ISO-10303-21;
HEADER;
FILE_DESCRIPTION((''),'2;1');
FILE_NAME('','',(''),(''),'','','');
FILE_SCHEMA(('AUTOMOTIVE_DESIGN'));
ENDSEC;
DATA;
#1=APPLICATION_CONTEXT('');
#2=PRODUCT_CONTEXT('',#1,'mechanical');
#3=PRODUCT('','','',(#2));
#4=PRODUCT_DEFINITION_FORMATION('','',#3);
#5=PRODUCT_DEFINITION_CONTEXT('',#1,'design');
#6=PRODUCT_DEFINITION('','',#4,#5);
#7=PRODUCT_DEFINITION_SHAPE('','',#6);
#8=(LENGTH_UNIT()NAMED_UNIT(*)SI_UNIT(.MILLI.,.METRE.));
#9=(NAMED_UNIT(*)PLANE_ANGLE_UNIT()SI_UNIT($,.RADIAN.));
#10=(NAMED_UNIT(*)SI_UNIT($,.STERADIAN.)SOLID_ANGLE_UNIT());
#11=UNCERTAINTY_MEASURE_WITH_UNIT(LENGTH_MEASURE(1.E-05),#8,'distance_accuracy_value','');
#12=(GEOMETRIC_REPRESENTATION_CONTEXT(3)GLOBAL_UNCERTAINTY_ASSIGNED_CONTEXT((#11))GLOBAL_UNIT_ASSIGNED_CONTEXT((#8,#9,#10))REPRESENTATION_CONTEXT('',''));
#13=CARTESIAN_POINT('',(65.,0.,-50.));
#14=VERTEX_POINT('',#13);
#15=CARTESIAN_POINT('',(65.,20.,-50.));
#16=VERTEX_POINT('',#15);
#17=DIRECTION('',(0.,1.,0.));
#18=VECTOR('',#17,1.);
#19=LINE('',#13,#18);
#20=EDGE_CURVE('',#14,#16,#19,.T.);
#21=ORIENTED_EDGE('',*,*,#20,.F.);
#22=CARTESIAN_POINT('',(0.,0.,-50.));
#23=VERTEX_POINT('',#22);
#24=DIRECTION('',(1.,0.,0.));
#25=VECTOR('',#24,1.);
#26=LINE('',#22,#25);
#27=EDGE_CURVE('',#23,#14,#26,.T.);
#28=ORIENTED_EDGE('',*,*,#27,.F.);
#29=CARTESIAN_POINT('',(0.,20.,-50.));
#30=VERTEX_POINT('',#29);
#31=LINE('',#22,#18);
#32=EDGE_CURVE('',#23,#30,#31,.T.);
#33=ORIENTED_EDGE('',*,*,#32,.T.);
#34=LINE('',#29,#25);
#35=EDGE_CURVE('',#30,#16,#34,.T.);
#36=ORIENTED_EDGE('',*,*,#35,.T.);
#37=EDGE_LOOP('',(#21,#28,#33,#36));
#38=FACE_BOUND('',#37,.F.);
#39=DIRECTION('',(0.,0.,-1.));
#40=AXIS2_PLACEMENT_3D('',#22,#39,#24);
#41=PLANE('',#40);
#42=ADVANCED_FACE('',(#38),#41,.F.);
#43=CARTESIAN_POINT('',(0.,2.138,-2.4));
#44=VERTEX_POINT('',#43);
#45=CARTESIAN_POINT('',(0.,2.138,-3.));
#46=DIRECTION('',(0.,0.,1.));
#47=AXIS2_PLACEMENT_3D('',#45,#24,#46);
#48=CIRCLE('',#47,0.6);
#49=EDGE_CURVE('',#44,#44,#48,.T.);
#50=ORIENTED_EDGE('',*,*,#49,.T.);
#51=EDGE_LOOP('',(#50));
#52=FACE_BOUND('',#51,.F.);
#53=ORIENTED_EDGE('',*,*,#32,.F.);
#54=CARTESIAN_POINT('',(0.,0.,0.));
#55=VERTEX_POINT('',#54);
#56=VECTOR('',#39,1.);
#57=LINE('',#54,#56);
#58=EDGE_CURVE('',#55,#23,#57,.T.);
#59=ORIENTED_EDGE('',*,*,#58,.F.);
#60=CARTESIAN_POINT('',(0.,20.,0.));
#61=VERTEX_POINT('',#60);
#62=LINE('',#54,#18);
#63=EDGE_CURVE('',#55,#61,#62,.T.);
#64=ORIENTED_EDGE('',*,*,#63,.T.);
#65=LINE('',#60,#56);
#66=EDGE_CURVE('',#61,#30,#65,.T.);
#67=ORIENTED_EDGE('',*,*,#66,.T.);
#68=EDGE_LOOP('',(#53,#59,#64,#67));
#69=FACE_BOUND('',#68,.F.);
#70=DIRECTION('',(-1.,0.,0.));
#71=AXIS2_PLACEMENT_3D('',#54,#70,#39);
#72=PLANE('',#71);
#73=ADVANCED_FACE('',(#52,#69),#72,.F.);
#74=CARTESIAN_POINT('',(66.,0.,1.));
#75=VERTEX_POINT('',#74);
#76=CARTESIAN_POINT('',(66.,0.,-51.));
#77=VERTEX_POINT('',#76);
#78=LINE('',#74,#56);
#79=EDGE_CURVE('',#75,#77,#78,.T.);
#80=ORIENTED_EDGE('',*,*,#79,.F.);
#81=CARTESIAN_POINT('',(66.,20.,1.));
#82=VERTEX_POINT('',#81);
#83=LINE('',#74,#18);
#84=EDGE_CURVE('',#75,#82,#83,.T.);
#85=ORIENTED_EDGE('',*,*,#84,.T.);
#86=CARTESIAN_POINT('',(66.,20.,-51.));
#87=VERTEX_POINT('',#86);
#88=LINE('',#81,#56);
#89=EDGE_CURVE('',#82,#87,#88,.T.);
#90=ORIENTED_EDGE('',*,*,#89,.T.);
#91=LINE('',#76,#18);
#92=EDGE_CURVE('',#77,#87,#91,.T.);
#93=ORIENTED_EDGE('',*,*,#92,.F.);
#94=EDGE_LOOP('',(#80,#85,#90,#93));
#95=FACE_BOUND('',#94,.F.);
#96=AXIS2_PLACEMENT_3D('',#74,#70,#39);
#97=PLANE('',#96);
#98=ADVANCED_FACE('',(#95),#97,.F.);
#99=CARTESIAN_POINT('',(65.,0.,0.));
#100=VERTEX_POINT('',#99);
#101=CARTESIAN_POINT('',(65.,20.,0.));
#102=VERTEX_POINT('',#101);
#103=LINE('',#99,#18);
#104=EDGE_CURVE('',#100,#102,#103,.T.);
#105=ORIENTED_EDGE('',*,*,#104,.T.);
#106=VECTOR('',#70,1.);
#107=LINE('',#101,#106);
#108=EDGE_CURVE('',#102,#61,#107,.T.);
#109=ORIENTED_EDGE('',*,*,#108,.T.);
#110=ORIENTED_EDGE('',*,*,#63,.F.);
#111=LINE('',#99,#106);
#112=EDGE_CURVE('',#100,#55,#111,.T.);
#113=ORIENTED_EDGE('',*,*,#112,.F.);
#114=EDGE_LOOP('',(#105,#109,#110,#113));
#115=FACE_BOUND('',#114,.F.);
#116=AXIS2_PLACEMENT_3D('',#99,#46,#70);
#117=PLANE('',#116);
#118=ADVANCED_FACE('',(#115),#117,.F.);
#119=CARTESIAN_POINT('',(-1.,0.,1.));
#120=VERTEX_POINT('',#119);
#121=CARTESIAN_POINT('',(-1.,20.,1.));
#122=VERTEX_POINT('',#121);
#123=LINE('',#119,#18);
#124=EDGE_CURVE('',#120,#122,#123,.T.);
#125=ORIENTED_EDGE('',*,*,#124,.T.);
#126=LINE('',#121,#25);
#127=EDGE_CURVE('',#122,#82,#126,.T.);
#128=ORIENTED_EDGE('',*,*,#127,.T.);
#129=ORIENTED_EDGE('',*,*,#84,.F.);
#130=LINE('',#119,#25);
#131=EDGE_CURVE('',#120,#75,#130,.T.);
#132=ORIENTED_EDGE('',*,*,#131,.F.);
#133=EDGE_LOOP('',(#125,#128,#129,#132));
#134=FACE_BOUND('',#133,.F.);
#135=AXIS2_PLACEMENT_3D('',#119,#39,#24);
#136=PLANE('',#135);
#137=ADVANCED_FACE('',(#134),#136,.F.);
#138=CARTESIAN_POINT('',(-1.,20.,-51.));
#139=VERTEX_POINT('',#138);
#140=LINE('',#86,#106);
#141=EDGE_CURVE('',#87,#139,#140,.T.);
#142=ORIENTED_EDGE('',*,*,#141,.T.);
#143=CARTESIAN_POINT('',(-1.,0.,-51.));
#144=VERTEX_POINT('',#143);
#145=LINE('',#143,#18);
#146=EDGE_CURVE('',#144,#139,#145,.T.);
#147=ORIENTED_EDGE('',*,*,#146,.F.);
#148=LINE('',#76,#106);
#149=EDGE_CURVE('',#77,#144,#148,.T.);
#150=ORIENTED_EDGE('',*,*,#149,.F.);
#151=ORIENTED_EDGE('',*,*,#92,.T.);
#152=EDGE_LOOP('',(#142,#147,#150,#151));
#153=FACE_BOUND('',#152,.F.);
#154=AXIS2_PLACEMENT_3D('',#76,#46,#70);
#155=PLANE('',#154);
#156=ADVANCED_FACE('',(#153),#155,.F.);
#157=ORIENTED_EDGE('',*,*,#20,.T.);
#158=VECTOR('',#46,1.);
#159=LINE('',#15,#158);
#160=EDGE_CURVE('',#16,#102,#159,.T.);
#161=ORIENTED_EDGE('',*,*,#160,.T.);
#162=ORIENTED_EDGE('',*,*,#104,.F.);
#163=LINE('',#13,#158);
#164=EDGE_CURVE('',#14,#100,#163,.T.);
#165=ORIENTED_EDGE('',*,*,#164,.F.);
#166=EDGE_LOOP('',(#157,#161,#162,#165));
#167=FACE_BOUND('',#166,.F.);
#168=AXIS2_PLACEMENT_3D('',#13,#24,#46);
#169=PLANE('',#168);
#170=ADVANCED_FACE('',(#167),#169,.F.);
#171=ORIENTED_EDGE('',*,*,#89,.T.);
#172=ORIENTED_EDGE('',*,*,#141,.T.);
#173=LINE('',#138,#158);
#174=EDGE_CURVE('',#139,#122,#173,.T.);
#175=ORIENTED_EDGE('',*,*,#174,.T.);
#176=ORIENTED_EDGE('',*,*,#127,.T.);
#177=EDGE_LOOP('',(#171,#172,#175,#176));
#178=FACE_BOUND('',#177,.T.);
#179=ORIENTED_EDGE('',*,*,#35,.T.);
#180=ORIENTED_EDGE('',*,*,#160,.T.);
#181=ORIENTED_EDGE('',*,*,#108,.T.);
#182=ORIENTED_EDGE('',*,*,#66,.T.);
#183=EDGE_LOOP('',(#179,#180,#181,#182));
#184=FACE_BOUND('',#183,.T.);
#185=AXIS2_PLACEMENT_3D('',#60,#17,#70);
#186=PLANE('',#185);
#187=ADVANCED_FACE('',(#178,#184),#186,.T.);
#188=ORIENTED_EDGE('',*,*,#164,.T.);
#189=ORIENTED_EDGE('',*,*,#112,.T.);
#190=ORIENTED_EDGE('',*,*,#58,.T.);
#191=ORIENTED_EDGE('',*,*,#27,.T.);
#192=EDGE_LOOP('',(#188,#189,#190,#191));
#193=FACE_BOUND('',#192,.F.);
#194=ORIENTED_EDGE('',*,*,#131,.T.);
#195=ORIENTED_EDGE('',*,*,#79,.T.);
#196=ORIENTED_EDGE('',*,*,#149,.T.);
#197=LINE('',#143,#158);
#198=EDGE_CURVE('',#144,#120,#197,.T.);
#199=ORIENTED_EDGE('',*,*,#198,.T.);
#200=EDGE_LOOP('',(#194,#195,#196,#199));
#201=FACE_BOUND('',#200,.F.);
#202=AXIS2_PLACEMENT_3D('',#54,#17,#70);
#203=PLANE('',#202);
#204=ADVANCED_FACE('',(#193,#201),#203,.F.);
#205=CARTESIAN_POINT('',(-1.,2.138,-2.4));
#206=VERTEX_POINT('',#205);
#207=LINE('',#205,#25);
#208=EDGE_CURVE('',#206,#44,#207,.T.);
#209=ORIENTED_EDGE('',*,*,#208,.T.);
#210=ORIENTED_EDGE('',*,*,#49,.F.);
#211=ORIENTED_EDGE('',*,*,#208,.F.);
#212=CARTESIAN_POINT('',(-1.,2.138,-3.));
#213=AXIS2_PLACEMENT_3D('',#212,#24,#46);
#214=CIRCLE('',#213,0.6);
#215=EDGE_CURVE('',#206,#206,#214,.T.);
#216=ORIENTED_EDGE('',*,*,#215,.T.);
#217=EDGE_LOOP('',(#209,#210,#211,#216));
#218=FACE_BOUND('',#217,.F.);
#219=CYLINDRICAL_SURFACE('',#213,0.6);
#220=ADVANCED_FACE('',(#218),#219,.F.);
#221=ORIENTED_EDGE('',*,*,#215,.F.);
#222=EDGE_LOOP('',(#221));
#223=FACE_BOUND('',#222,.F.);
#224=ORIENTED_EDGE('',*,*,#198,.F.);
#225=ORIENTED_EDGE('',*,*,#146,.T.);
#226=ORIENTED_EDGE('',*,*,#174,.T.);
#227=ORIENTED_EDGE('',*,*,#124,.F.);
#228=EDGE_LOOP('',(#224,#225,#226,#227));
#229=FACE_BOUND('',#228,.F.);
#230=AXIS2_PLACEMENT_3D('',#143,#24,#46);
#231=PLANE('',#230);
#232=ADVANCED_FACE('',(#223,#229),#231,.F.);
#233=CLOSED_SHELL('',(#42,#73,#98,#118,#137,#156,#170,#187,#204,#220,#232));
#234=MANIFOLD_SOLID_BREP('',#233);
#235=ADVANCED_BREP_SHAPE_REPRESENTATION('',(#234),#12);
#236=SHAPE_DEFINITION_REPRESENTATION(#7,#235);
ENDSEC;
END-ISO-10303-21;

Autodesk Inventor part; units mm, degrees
ref_plane "YZ Plane" through (0, 0, 0) normal (1, 0, 0) x (0, 1, 0)
ref_plane "XZ Plane" through (0, 0, 0) normal (0, 1, 0) x (-1, 0, 0)
ref_plane "XY Plane" through (0, 0, 0) normal (0, 0, 1) x (1, 0, 0)
sketch "Sketch1" plane through (0, 0, 0) normal (0, 1, 0) x (-1, 0, 0)
  line L0 (0, 0) -> (0, -50)
  line L1 (0, -50) -> (-65, -50)
  line L2 (-65, -50) -> (-65, 0)
  line L3 (-65, 0) -> (0, 0)
  line L4 (-66, -51) -> (1, -51)
  line L5 (1, -51) -> (1, 1)
  line L6 (1, 1) -> (-66, 1)
  line L7 (-66, 1) -> (-66, -51)
  dimension "d0" = 50
  dimension "d1" = 65
  dimension "d2" = 1
extrude "Extrusion1" add sketch "Sketch1" along normal blind 20
sketch "Sketch2" plane through (-1, 0, -51) normal (-1, 0, 0) x (0, 0, 1)
  line L0 (0, 0) -> (0, 20) projected
  line L1 (0, 10) -> (52, 10)
  line L2 (52, 0) -> (52, 20) projected
  line L3 (0, 0) -> (52, 0)
  line L4 (51, 0) -> (1, 0) projected
  point P0 (48, 2.138)
hole "Hole1" at (-1, 2.138, -3) direction (1, 0, 0) diameter 1.2 depth 8 tip angle 118
properties part number "veggur"
